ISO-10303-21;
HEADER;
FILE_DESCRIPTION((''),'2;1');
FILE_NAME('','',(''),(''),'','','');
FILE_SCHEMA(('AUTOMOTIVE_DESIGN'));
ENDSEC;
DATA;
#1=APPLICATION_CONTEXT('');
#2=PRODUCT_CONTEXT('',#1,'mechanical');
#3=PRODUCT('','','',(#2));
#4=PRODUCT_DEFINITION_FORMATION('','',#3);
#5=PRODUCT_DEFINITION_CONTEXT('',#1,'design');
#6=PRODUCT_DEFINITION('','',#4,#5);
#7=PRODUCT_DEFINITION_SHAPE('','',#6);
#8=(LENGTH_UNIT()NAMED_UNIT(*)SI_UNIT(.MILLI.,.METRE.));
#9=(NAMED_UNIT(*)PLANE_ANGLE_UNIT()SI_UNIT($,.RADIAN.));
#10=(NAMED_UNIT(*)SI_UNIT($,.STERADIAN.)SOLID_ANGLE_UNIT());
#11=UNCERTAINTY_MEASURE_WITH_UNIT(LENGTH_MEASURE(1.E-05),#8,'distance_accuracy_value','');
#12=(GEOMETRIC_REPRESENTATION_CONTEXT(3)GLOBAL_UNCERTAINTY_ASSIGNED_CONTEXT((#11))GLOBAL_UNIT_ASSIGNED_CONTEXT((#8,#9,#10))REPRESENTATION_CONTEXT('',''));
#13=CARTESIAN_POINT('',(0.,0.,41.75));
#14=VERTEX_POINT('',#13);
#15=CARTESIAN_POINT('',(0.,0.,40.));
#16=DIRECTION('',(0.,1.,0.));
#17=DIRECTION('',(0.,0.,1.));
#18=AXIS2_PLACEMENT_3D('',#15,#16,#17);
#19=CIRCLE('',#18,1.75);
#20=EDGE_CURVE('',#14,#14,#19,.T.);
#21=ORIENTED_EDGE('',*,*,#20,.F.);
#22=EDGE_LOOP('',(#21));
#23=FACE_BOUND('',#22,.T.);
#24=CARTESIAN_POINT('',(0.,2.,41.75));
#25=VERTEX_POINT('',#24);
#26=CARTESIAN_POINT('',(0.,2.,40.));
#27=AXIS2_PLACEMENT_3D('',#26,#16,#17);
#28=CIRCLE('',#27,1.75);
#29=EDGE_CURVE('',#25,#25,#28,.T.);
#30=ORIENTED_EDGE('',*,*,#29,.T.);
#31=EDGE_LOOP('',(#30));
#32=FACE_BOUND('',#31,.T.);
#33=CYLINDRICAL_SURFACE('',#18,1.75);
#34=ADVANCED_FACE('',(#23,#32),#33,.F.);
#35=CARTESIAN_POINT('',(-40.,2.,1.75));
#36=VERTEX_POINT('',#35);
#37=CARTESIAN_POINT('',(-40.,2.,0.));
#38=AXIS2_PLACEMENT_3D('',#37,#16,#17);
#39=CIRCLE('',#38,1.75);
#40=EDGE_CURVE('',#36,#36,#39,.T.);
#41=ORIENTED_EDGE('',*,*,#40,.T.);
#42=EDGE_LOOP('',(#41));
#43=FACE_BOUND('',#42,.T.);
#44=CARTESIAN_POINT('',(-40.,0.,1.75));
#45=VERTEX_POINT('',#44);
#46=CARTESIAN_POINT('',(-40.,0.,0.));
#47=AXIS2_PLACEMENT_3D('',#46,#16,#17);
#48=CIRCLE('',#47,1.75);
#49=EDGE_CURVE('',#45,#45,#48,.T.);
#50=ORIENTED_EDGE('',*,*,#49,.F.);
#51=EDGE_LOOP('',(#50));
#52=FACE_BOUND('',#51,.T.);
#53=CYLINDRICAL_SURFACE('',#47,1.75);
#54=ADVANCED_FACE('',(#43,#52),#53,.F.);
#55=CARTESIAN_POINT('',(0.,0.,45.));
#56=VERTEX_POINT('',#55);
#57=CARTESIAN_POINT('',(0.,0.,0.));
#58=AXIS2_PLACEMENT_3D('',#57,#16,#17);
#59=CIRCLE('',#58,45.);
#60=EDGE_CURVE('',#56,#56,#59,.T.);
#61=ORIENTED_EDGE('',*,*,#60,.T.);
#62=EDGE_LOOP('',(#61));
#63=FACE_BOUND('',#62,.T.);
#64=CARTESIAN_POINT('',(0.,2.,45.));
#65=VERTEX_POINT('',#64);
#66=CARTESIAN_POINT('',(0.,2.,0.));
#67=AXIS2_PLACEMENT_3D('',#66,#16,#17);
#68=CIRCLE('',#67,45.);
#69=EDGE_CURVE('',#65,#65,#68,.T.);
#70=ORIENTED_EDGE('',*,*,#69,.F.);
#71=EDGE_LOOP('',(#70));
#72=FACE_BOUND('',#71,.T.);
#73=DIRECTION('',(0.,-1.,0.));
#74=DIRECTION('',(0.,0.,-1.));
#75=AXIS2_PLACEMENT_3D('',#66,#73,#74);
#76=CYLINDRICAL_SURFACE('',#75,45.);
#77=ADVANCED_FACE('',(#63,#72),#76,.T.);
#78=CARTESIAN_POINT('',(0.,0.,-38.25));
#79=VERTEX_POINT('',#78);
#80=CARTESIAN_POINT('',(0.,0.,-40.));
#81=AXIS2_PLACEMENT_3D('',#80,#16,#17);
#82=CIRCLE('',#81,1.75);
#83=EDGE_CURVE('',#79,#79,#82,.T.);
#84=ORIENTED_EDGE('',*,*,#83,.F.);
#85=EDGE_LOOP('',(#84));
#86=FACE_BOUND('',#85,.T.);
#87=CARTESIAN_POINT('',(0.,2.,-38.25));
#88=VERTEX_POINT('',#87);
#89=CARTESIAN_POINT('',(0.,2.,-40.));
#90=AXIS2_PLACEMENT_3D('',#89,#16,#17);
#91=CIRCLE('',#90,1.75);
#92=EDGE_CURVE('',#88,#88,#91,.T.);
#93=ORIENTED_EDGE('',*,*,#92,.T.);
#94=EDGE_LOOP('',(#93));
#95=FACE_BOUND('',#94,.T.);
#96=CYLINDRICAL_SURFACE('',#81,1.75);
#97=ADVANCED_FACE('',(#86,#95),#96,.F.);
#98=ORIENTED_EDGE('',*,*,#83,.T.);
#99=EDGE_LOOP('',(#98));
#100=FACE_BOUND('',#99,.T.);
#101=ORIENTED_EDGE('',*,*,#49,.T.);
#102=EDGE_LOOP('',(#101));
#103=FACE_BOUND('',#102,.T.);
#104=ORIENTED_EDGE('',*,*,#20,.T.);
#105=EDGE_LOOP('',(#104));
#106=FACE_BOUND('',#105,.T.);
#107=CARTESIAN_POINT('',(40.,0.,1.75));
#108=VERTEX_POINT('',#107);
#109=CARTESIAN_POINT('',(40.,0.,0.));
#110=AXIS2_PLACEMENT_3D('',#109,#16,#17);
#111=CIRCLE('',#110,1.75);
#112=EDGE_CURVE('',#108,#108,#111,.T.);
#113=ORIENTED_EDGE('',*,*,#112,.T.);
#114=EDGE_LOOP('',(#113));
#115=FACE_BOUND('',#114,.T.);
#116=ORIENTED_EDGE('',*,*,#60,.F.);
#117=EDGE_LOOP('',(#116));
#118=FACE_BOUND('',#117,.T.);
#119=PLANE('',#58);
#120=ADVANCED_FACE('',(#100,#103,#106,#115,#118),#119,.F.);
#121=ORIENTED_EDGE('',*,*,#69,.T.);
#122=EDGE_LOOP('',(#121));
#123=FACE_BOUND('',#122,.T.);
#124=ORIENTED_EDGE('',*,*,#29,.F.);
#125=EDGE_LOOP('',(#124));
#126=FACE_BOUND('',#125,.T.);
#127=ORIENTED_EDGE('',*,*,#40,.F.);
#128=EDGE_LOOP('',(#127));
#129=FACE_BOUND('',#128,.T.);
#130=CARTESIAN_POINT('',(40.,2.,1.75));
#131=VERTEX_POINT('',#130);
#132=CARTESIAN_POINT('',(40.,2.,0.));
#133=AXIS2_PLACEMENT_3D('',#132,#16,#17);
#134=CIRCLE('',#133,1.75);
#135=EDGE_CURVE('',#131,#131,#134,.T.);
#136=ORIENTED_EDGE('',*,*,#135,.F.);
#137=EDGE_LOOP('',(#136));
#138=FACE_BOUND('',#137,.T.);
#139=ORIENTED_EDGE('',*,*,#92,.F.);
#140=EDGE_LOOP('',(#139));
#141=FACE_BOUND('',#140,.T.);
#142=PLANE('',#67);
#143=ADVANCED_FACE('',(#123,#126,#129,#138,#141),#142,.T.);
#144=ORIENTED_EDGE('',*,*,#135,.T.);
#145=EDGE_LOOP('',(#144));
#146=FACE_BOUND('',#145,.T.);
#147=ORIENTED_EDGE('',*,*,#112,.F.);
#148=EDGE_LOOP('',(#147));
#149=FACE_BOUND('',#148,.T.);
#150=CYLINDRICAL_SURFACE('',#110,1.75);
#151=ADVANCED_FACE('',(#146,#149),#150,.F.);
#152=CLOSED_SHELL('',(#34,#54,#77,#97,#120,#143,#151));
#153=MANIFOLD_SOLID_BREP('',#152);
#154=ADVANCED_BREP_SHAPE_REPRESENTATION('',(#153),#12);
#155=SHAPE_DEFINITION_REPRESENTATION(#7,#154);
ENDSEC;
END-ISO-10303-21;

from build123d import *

# Parameters (mm, degrees)
SKETCH2_R           = 45
BOSS_EXTRUDE1_DEPTH = 2
SKETCH4_R           = 1.75
CUT_EXTRUDE1_DEPTH  = 64.671029519


with BuildPart() as part:
    # Sketch2 → Boss-Extrude1 (new body)
    with BuildSketch(Plane(origin=(0, 0, 0), x_dir=(1, 0, 0), z_dir=(0, 1, 0))):
        with Locations(Location((0, 0, 0), (0, 0, 270))):
            Circle(SKETCH2_R)
    extrude(amount=BOSS_EXTRUDE1_DEPTH)

    # Sketch4 → Cut-Extrude1 (cut, through all)
    with BuildSketch(Plane(origin=(0, 2, 0), x_dir=(1, 0, 0), z_dir=(0, 1, 0))):
        with Locations(Location((0, 40, 0), (0, 0, 270))):
            Circle(SKETCH4_R)
        with Locations(Location((40, 0, 0), (0, 0, 270))):
            Circle(SKETCH4_R)
        with Locations(Location((0, -40, 0), (0, 0, 270))):
            Circle(SKETCH4_R)
        with Locations(Location((-40, 0, 0), (0, 0, 270))):
            Circle(SKETCH4_R)
    extrude(amount=-CUT_EXTRUDE1_DEPTH, mode=Mode.SUBTRACT)


solid = part.part
